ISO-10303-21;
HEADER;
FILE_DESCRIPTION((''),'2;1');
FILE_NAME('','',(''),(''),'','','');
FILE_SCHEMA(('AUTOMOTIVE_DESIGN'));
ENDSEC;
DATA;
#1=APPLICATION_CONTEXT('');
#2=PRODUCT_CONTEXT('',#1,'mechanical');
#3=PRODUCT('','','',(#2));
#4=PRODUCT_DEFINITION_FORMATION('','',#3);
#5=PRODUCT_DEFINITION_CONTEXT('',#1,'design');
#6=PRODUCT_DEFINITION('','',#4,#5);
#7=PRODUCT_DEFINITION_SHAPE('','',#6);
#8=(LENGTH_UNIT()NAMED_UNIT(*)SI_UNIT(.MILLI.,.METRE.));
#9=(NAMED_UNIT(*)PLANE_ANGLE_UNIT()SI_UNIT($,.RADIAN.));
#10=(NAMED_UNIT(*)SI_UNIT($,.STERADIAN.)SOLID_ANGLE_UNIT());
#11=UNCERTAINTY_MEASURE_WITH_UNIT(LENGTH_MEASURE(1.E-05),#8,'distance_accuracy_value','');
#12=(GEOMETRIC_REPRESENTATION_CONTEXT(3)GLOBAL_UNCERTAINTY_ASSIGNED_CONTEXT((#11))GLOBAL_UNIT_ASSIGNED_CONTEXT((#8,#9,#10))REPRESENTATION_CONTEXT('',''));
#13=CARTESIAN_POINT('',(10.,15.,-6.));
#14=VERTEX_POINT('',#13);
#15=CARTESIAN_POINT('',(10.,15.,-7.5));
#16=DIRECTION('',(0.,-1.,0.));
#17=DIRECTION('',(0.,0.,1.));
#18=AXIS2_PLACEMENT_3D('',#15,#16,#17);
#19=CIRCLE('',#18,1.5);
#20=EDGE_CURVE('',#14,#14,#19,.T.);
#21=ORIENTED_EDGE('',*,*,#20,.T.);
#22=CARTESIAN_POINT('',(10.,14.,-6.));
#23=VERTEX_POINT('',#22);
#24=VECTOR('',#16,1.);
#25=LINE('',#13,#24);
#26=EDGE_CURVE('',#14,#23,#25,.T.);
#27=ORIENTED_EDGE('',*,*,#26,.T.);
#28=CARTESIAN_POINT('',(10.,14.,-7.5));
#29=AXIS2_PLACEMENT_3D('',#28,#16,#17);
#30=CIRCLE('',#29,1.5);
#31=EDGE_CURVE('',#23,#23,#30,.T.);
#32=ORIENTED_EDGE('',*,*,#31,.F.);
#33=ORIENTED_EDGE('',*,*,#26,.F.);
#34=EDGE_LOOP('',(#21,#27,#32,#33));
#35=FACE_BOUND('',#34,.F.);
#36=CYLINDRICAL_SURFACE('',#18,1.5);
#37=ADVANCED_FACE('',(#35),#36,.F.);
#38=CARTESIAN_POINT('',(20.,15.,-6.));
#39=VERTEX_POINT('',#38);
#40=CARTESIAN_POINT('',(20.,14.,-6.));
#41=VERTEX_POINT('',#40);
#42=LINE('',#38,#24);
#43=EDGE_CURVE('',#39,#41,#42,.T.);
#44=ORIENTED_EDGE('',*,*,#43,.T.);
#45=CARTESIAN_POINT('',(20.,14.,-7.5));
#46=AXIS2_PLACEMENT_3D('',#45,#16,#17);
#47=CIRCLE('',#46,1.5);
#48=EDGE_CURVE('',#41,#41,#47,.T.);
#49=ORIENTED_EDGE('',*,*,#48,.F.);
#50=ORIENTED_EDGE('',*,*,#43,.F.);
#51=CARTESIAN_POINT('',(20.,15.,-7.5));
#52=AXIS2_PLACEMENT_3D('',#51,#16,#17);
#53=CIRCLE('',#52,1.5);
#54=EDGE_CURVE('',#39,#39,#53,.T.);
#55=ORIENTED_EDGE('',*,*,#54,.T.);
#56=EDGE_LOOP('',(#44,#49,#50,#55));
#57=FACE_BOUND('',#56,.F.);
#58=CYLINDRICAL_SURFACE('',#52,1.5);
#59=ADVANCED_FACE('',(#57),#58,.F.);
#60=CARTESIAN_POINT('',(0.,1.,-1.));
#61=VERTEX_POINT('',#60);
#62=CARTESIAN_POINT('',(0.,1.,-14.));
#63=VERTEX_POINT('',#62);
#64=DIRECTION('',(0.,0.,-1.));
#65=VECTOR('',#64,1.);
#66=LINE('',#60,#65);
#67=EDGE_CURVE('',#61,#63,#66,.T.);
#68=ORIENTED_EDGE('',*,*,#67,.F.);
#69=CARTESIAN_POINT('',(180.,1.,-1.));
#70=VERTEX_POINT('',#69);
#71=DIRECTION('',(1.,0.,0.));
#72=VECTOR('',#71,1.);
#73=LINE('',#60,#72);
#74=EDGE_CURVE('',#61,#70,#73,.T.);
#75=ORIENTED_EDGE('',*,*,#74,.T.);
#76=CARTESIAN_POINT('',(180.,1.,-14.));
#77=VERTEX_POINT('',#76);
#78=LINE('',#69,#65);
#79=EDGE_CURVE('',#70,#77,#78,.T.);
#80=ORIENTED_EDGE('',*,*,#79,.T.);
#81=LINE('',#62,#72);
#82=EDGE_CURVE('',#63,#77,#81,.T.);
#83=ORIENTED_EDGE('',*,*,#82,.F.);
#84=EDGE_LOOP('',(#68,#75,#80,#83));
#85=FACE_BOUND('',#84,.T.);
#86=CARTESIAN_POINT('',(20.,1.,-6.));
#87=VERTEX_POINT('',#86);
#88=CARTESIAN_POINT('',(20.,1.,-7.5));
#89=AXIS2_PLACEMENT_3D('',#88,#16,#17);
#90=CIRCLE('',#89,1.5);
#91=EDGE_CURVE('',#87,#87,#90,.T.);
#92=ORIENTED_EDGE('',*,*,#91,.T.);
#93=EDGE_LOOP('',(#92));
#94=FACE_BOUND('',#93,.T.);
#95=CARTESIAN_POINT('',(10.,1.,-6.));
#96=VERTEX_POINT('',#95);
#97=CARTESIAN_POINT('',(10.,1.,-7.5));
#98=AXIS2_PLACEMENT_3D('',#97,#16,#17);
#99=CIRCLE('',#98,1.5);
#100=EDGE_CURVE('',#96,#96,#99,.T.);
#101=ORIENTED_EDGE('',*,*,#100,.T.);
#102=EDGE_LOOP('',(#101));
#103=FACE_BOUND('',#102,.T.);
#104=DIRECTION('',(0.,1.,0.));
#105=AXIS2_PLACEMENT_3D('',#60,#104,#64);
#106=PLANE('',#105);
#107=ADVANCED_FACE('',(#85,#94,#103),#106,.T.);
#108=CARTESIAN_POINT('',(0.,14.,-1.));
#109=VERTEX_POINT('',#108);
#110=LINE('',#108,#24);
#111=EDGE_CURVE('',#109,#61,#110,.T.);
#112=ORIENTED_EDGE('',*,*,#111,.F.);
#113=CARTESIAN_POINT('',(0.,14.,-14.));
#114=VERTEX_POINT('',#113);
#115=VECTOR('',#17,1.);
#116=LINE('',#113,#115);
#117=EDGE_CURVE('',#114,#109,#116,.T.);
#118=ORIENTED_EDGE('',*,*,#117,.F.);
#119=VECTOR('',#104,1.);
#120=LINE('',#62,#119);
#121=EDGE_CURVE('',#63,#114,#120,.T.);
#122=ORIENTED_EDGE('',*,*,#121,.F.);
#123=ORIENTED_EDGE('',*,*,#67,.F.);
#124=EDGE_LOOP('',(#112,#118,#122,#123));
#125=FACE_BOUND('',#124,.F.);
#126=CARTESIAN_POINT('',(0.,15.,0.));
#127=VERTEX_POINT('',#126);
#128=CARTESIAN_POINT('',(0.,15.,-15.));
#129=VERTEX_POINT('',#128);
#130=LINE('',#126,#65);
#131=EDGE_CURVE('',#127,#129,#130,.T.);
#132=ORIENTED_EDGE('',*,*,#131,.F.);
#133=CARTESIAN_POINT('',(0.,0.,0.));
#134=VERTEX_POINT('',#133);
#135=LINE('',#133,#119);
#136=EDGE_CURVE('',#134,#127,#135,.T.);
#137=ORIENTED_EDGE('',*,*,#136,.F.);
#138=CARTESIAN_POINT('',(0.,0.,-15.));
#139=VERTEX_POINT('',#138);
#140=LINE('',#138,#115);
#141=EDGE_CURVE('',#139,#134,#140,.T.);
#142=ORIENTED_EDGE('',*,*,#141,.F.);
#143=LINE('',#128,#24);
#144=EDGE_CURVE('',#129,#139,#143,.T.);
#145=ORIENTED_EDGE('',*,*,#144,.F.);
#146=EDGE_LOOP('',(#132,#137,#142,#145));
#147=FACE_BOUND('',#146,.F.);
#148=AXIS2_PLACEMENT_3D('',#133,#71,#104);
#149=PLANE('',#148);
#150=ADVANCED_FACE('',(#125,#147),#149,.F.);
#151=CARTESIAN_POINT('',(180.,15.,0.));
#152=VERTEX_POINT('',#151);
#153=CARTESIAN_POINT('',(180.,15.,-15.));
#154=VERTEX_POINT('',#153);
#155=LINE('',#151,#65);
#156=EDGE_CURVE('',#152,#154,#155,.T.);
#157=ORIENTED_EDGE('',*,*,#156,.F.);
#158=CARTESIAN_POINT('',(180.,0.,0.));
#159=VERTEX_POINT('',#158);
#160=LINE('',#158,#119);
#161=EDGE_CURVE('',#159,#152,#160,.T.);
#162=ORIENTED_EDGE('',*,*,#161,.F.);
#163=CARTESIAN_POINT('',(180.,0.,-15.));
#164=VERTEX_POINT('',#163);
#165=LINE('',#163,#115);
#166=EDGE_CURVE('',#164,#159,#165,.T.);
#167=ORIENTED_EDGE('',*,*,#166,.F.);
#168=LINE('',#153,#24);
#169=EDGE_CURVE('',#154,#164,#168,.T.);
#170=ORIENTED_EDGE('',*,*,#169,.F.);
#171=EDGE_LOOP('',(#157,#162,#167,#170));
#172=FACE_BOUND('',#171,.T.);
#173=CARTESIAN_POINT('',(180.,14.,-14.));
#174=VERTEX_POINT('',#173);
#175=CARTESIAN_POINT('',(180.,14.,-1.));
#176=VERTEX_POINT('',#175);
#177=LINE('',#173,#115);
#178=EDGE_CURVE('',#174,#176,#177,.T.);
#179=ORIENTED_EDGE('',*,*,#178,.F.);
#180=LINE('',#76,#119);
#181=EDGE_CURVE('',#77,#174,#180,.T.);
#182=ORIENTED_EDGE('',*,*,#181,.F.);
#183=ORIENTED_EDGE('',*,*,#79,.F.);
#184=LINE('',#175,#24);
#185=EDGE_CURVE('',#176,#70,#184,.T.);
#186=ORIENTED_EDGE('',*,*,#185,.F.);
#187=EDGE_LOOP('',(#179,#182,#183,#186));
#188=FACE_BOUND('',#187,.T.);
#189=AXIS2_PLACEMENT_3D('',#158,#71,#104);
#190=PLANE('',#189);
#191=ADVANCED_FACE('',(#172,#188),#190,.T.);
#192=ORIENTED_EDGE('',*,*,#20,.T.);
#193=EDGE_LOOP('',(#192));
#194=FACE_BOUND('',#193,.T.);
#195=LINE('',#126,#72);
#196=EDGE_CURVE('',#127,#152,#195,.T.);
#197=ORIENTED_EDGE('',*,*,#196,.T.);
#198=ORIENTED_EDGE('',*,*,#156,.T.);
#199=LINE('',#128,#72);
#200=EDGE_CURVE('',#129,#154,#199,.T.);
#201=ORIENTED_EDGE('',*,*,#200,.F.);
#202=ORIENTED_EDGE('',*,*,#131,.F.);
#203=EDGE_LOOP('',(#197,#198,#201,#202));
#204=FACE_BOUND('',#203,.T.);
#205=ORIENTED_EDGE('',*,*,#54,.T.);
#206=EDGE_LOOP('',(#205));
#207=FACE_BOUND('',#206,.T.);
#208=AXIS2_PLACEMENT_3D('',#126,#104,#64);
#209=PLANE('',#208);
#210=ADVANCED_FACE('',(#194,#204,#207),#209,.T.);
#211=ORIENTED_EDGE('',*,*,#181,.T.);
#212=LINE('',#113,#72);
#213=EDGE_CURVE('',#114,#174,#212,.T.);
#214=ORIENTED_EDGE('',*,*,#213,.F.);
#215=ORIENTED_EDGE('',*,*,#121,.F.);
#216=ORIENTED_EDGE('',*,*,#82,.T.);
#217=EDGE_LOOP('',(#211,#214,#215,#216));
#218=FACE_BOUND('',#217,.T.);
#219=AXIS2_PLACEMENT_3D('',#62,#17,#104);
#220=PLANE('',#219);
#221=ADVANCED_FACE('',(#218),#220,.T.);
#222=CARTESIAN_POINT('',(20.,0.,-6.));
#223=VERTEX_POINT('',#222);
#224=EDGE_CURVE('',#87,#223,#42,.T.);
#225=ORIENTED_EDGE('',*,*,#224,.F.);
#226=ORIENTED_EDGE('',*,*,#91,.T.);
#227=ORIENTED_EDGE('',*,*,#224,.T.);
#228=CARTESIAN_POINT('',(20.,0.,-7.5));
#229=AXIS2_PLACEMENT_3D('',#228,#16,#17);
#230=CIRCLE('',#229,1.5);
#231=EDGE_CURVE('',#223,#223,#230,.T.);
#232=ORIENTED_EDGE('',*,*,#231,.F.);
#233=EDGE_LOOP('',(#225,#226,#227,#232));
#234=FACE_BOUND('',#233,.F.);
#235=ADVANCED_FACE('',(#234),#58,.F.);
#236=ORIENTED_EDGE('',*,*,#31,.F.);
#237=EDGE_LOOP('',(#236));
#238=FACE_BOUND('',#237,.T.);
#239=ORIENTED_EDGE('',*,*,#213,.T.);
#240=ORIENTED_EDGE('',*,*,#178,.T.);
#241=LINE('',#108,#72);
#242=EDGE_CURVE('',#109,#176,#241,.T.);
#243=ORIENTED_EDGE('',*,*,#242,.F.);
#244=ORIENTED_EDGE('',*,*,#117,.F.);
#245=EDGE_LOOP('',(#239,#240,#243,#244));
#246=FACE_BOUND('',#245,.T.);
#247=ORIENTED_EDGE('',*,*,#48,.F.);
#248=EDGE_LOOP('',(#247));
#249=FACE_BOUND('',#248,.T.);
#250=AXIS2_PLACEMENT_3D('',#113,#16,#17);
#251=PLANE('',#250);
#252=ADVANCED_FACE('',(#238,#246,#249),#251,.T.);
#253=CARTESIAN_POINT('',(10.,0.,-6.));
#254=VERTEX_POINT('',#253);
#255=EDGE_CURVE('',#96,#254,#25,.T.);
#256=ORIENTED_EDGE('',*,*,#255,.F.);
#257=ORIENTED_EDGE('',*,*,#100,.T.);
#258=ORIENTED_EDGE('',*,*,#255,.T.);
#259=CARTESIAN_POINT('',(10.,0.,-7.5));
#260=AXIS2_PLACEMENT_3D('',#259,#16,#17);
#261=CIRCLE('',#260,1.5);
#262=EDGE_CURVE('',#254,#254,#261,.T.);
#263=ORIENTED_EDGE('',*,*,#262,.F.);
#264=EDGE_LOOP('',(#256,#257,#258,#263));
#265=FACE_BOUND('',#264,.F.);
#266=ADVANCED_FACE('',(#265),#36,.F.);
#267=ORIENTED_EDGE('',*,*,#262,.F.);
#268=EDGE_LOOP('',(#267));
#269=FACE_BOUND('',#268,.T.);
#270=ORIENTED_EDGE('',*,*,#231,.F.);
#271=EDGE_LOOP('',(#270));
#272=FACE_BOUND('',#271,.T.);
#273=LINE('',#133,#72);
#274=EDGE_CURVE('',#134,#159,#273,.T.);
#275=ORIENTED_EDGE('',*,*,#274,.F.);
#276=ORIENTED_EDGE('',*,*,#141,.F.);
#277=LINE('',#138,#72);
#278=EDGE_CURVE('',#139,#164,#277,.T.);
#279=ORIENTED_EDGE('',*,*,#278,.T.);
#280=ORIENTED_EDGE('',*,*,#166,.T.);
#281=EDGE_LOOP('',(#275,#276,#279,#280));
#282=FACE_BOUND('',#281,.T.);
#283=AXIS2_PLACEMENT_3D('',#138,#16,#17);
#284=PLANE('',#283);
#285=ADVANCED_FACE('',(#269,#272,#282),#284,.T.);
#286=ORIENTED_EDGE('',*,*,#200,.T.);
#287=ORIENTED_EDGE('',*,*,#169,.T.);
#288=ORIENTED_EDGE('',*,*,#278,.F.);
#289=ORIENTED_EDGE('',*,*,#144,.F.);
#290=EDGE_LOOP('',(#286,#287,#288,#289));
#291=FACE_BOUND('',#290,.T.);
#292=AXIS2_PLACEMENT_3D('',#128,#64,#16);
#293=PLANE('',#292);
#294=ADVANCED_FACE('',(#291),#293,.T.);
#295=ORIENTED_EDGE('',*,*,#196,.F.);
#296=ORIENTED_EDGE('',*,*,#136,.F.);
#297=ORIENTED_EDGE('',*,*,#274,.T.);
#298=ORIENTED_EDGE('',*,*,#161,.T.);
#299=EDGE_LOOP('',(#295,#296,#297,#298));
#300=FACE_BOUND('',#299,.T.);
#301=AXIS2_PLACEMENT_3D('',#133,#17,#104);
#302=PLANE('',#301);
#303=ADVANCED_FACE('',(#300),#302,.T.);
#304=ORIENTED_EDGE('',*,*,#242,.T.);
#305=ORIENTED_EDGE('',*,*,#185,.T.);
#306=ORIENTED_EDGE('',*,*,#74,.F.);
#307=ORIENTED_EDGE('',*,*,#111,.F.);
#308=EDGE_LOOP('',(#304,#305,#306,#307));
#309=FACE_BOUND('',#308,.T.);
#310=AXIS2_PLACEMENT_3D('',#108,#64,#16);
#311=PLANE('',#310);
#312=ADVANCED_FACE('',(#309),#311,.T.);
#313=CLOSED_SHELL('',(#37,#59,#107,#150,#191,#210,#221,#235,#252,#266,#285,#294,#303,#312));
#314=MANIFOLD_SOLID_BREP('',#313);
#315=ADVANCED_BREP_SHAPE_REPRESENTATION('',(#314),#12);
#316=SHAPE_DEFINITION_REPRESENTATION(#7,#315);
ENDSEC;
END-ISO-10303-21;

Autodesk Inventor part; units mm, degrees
ref_plane "YZ Plane" through (0, 0, 0) normal (1, 0, 0) x (0, 1, 0)
ref_plane "XZ Plane" through (0, 0, 0) normal (0, 1, 0) x (-1, 0, 0)
ref_plane "XY Plane" through (0, 0, 0) normal (0, 0, 1) x (1, 0, 0)
sketch "スケッチ1" plane through (0, 0, 0) normal (1, 0, 0) x (0, 1, 0)
  line L0 (0, 0) -> (15, 0)
  line L1 (15, 0) -> (15, -15)
  line L2 (15, -15) -> (0, -15)
  line L3 (0, -15) -> (0, 0)
  line L4 (14, -14) -> (14, -1)
  line L5 (14, -1) -> (1, -1)
  line L6 (1, -1) -> (1, -14)
  line L7 (1, -14) -> (14, -14)
  dimension "d0" = 15
  dimension "d1" = 15
  dimension "d2" = 1
extrude "押し出し1" add sketch "スケッチ1" along normal blind 180
sketch "スケッチ2" plane through (0, 15, 0) normal (0, 1, 0) x (1, 0, 0)
  line L0 (0, 15) -> (0, 0) projected
  line L1 (0, 0) -> (180, 0) projected
  point P0 (10, 7.5)
  point P1 (20, 7.5)
  dimension "d5" = 10
  dimension "d6" = 10
  dimension "d7" = 7.5
  dimension "d8" = 7.5
hole "穴1" at (10, 15, -7.5) at (20, 15, -7.5) direction (0, -1, 0) diameter 3 end through all
equation "\"d8\" = d7"
properties part number "hand-grab-v1-ASP-arm-support" material "アルミニウム 6061"
